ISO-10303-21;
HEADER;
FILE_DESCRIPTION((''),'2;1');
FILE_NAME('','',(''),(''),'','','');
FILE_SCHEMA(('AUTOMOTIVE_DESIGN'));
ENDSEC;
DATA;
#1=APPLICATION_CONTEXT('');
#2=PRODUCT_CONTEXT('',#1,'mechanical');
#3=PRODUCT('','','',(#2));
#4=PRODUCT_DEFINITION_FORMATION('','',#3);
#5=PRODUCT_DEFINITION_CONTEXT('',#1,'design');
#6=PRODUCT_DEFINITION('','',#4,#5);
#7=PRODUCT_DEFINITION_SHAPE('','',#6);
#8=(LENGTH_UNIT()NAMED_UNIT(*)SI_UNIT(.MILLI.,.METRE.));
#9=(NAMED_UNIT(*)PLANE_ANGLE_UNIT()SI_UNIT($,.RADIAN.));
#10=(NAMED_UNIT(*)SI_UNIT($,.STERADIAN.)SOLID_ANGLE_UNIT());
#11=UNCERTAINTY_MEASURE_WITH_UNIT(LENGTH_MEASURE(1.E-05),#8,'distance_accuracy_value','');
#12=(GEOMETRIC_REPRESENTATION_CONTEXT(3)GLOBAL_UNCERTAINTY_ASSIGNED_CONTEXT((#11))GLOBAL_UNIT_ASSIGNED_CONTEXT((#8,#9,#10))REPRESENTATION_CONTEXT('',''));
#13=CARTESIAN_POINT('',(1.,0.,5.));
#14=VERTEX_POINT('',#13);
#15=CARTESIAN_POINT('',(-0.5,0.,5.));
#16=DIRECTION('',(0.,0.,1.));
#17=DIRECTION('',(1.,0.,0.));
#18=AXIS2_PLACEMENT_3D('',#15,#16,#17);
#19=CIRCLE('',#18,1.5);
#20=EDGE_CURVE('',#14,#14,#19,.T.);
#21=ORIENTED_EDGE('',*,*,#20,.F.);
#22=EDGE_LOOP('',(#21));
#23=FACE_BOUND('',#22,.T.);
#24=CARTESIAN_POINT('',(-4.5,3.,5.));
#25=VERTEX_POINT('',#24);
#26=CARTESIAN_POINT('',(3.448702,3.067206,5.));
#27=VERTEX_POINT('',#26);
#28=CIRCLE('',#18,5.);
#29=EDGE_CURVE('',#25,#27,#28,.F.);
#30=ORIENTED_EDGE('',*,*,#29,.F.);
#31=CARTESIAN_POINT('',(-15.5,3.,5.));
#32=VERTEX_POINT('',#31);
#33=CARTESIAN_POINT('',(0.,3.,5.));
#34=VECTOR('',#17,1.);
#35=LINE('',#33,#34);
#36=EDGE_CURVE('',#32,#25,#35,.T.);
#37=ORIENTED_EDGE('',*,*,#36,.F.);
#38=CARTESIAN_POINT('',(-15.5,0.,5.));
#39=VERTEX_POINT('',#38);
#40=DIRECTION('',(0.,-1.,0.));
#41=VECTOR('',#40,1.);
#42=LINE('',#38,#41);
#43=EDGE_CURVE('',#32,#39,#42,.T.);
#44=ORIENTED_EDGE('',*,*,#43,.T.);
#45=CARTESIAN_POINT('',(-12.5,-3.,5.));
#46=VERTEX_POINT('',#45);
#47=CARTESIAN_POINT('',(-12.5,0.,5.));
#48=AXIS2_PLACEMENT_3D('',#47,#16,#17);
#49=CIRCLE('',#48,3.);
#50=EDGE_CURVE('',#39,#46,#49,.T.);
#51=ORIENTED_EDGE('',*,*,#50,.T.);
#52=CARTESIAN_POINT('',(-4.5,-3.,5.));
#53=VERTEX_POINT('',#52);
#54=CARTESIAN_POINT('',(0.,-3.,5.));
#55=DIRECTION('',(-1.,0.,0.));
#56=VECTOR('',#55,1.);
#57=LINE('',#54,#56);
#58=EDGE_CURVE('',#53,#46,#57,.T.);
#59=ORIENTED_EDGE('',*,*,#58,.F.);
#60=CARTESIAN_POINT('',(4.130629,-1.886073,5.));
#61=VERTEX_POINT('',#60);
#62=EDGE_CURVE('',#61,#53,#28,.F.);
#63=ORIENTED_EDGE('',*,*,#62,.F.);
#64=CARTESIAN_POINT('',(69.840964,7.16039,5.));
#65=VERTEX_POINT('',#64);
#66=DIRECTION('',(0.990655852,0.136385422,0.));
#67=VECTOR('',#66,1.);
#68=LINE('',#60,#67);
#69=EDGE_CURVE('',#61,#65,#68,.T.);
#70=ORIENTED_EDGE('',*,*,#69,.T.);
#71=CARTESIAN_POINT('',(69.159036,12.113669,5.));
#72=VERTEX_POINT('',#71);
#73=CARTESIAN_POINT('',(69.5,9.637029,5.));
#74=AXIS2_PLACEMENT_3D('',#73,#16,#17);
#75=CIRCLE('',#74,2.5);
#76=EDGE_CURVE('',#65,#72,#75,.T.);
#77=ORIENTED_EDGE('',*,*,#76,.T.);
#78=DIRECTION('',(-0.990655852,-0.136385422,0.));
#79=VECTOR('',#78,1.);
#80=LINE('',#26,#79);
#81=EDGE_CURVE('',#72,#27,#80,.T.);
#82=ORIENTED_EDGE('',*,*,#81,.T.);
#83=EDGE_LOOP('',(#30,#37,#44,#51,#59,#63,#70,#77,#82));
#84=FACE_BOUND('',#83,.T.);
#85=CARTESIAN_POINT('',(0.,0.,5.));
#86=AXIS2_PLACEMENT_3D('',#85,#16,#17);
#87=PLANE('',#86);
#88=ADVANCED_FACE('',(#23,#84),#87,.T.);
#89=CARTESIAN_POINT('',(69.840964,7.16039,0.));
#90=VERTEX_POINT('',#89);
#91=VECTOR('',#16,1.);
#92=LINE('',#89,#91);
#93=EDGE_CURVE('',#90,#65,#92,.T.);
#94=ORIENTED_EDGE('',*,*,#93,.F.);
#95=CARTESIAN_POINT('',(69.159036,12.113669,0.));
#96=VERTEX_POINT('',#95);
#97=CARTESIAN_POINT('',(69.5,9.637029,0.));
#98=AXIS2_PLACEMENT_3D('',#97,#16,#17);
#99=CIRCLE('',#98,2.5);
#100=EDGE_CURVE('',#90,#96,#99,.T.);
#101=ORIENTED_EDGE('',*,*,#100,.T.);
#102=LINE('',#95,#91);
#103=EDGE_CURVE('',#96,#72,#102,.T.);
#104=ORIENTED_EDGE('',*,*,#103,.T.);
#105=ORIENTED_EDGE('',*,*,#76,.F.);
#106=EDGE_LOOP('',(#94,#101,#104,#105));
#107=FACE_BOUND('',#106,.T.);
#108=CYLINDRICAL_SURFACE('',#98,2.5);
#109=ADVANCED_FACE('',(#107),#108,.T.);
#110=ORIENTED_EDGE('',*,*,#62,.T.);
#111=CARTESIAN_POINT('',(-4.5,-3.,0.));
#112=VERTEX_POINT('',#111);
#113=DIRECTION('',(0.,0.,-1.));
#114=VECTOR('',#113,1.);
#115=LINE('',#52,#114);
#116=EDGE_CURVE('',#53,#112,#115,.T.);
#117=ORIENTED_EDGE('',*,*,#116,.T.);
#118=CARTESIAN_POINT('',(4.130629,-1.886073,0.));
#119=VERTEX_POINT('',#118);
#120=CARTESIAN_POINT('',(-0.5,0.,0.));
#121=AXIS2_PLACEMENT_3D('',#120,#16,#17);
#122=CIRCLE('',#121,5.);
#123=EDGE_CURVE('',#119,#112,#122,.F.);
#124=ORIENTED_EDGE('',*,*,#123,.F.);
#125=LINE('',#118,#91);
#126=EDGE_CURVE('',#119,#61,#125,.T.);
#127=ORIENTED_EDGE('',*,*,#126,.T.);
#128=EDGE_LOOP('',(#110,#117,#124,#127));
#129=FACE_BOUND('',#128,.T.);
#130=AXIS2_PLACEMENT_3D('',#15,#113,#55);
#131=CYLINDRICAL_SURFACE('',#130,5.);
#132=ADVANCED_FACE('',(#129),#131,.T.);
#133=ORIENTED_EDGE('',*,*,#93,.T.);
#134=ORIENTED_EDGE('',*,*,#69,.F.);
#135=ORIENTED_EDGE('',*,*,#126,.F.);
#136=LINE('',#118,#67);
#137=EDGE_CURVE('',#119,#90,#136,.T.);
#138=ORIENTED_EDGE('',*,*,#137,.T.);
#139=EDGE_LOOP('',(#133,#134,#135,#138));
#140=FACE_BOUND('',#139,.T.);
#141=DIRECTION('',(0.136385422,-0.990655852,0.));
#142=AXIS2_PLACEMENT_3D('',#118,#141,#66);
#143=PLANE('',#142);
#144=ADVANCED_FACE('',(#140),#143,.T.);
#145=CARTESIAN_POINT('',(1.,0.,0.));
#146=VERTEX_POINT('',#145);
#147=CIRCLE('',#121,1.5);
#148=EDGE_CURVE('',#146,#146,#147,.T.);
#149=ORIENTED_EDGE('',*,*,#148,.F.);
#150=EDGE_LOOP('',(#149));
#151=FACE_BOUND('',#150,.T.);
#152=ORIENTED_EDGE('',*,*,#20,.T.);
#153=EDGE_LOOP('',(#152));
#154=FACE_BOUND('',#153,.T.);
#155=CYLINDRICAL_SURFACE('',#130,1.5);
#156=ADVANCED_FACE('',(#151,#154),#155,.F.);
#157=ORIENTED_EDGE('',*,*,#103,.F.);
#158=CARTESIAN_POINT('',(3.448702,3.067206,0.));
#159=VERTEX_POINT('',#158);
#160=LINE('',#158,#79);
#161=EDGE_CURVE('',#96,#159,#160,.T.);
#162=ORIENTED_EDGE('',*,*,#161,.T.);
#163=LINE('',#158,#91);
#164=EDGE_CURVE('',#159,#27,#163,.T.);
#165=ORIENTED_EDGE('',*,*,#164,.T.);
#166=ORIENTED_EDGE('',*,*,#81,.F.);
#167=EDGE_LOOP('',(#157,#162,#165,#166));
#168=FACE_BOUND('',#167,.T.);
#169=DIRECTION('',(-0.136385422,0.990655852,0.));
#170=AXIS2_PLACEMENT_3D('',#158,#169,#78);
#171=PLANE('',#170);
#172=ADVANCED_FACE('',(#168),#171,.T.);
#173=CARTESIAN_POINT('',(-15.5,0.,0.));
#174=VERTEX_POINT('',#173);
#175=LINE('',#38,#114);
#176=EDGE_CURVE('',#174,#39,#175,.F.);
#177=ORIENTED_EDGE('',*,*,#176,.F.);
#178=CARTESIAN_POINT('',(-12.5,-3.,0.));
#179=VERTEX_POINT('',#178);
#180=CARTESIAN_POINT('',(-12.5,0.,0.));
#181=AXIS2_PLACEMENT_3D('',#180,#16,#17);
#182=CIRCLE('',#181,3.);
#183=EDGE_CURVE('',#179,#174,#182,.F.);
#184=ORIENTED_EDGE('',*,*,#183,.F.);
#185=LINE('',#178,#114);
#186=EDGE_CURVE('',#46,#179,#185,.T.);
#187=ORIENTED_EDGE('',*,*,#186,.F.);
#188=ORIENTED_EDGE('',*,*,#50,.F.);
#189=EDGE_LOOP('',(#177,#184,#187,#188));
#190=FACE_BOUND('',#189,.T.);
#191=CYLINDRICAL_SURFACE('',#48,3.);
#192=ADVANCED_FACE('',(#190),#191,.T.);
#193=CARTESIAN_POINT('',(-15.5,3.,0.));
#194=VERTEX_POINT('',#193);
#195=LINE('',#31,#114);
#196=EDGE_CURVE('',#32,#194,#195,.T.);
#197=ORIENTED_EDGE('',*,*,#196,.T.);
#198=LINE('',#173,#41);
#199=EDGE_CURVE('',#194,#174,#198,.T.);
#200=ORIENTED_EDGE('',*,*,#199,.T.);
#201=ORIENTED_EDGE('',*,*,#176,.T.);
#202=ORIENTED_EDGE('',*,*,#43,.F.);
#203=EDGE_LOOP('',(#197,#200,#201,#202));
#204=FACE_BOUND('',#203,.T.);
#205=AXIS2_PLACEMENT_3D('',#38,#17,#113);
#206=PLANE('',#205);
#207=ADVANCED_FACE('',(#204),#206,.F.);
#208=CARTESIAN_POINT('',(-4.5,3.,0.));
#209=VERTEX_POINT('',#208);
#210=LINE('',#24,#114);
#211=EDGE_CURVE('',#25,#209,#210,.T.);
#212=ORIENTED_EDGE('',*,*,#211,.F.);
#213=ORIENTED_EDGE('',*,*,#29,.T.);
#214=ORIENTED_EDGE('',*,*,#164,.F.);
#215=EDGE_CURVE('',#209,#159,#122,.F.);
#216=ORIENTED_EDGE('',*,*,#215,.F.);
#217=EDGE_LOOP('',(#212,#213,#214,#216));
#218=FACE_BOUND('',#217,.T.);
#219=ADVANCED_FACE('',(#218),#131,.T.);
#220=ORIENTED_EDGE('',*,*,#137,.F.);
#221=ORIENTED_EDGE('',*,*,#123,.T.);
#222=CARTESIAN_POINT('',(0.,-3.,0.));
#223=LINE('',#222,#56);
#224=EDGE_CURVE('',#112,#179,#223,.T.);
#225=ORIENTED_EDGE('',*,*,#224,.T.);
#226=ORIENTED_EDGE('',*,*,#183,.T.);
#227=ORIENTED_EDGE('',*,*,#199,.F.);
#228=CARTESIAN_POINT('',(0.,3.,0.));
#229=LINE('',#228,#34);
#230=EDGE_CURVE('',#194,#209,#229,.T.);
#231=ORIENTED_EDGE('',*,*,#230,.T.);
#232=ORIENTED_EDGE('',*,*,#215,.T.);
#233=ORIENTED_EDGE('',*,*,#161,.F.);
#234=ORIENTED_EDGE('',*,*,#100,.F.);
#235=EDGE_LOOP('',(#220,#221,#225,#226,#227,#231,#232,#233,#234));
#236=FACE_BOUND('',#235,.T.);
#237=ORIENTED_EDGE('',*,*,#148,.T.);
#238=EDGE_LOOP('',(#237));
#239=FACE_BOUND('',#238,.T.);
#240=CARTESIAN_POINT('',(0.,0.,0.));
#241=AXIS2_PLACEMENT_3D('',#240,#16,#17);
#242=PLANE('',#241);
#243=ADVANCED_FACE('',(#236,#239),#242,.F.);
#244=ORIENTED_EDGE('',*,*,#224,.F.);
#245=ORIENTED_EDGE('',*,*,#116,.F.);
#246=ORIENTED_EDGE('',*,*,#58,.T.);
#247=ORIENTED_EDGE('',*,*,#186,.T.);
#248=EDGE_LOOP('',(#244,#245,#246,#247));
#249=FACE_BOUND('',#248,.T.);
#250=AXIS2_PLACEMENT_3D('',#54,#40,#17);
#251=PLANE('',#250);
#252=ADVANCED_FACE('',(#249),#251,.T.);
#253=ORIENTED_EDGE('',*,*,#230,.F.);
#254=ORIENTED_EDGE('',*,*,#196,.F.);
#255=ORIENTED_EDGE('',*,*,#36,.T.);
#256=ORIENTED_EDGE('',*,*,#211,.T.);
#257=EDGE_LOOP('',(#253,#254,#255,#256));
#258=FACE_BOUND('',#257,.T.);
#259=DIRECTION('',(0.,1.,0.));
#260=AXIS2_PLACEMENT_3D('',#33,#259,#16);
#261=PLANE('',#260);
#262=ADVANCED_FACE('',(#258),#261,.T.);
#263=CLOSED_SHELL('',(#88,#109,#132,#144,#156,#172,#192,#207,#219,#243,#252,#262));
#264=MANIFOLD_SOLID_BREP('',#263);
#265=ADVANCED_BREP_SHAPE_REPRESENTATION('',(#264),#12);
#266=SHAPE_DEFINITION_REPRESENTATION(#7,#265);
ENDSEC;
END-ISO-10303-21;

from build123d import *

# Parameters (mm, degrees)
SKETCH1_R           = 1.5
BOSS_EXTRUDE1_DEPTH = 5
FILLET1_R           = 3
BOSS_EXTRUDE2_START = -5
BOSS_EXTRUDE2_DEPTH = 5


with BuildPart() as part:
    # Sketch1 → Boss-Extrude1 (new body)
    with BuildSketch(Plane.XY):
        with BuildLine():
            Line((-15.5, -3), (-12.5, -3))
            Line((-12.5, -3), (-4.5, -3))
            ThreePointArc((-4.5, -3), (-0.5, -5), (3.5, -3))
            ThreePointArc((3.5, -3), (4.5, 0), (3.5, 3))
            ThreePointArc((3.5, 3), (-0.5, 5), (-4.5, 3))
            Line((-4.5, 3), (-12.5, 3))
            Line((-12.5, 3), (-15.5, 3))
            Line((-15.5, 3), (-15.5, -3))
        make_face()
        with Locations((-0.5, 0)):
            Circle(SKETCH1_R, mode=Mode.SUBTRACT)
    extrude(amount=BOSS_EXTRUDE1_DEPTH)

    # Fillet1
    fillet1_edges = [part.edges().sort_by_distance(p)[0] for p in [
        (-15.5, -3, 2.5),
    ]]
    fillet(fillet1_edges, radius=FILLET1_R)

    # Sketch2 → Boss-Extrude2 (add)
    with BuildSketch(Plane.XY.offset(5).offset(BOSS_EXTRUDE2_START)):
        with BuildLine():
            Line((4.130629225, -1.886073429), (69.840963555, 7.16038973))
            ThreePointArc((69.840963555, 7.16038973), (71.97663963, 9.977992914), (69.159036445, 12.113668989))
            Line((69.159036445, 12.113668989), (3.448702116, 3.06720583))
            ThreePointArc((3.448702116, 3.06720583), (4.453279259, 0.681927109), (4.130629225, -1.886073429))
        make_face()
    extrude(amount=BOSS_EXTRUDE2_DEPTH)


solid = part.part
